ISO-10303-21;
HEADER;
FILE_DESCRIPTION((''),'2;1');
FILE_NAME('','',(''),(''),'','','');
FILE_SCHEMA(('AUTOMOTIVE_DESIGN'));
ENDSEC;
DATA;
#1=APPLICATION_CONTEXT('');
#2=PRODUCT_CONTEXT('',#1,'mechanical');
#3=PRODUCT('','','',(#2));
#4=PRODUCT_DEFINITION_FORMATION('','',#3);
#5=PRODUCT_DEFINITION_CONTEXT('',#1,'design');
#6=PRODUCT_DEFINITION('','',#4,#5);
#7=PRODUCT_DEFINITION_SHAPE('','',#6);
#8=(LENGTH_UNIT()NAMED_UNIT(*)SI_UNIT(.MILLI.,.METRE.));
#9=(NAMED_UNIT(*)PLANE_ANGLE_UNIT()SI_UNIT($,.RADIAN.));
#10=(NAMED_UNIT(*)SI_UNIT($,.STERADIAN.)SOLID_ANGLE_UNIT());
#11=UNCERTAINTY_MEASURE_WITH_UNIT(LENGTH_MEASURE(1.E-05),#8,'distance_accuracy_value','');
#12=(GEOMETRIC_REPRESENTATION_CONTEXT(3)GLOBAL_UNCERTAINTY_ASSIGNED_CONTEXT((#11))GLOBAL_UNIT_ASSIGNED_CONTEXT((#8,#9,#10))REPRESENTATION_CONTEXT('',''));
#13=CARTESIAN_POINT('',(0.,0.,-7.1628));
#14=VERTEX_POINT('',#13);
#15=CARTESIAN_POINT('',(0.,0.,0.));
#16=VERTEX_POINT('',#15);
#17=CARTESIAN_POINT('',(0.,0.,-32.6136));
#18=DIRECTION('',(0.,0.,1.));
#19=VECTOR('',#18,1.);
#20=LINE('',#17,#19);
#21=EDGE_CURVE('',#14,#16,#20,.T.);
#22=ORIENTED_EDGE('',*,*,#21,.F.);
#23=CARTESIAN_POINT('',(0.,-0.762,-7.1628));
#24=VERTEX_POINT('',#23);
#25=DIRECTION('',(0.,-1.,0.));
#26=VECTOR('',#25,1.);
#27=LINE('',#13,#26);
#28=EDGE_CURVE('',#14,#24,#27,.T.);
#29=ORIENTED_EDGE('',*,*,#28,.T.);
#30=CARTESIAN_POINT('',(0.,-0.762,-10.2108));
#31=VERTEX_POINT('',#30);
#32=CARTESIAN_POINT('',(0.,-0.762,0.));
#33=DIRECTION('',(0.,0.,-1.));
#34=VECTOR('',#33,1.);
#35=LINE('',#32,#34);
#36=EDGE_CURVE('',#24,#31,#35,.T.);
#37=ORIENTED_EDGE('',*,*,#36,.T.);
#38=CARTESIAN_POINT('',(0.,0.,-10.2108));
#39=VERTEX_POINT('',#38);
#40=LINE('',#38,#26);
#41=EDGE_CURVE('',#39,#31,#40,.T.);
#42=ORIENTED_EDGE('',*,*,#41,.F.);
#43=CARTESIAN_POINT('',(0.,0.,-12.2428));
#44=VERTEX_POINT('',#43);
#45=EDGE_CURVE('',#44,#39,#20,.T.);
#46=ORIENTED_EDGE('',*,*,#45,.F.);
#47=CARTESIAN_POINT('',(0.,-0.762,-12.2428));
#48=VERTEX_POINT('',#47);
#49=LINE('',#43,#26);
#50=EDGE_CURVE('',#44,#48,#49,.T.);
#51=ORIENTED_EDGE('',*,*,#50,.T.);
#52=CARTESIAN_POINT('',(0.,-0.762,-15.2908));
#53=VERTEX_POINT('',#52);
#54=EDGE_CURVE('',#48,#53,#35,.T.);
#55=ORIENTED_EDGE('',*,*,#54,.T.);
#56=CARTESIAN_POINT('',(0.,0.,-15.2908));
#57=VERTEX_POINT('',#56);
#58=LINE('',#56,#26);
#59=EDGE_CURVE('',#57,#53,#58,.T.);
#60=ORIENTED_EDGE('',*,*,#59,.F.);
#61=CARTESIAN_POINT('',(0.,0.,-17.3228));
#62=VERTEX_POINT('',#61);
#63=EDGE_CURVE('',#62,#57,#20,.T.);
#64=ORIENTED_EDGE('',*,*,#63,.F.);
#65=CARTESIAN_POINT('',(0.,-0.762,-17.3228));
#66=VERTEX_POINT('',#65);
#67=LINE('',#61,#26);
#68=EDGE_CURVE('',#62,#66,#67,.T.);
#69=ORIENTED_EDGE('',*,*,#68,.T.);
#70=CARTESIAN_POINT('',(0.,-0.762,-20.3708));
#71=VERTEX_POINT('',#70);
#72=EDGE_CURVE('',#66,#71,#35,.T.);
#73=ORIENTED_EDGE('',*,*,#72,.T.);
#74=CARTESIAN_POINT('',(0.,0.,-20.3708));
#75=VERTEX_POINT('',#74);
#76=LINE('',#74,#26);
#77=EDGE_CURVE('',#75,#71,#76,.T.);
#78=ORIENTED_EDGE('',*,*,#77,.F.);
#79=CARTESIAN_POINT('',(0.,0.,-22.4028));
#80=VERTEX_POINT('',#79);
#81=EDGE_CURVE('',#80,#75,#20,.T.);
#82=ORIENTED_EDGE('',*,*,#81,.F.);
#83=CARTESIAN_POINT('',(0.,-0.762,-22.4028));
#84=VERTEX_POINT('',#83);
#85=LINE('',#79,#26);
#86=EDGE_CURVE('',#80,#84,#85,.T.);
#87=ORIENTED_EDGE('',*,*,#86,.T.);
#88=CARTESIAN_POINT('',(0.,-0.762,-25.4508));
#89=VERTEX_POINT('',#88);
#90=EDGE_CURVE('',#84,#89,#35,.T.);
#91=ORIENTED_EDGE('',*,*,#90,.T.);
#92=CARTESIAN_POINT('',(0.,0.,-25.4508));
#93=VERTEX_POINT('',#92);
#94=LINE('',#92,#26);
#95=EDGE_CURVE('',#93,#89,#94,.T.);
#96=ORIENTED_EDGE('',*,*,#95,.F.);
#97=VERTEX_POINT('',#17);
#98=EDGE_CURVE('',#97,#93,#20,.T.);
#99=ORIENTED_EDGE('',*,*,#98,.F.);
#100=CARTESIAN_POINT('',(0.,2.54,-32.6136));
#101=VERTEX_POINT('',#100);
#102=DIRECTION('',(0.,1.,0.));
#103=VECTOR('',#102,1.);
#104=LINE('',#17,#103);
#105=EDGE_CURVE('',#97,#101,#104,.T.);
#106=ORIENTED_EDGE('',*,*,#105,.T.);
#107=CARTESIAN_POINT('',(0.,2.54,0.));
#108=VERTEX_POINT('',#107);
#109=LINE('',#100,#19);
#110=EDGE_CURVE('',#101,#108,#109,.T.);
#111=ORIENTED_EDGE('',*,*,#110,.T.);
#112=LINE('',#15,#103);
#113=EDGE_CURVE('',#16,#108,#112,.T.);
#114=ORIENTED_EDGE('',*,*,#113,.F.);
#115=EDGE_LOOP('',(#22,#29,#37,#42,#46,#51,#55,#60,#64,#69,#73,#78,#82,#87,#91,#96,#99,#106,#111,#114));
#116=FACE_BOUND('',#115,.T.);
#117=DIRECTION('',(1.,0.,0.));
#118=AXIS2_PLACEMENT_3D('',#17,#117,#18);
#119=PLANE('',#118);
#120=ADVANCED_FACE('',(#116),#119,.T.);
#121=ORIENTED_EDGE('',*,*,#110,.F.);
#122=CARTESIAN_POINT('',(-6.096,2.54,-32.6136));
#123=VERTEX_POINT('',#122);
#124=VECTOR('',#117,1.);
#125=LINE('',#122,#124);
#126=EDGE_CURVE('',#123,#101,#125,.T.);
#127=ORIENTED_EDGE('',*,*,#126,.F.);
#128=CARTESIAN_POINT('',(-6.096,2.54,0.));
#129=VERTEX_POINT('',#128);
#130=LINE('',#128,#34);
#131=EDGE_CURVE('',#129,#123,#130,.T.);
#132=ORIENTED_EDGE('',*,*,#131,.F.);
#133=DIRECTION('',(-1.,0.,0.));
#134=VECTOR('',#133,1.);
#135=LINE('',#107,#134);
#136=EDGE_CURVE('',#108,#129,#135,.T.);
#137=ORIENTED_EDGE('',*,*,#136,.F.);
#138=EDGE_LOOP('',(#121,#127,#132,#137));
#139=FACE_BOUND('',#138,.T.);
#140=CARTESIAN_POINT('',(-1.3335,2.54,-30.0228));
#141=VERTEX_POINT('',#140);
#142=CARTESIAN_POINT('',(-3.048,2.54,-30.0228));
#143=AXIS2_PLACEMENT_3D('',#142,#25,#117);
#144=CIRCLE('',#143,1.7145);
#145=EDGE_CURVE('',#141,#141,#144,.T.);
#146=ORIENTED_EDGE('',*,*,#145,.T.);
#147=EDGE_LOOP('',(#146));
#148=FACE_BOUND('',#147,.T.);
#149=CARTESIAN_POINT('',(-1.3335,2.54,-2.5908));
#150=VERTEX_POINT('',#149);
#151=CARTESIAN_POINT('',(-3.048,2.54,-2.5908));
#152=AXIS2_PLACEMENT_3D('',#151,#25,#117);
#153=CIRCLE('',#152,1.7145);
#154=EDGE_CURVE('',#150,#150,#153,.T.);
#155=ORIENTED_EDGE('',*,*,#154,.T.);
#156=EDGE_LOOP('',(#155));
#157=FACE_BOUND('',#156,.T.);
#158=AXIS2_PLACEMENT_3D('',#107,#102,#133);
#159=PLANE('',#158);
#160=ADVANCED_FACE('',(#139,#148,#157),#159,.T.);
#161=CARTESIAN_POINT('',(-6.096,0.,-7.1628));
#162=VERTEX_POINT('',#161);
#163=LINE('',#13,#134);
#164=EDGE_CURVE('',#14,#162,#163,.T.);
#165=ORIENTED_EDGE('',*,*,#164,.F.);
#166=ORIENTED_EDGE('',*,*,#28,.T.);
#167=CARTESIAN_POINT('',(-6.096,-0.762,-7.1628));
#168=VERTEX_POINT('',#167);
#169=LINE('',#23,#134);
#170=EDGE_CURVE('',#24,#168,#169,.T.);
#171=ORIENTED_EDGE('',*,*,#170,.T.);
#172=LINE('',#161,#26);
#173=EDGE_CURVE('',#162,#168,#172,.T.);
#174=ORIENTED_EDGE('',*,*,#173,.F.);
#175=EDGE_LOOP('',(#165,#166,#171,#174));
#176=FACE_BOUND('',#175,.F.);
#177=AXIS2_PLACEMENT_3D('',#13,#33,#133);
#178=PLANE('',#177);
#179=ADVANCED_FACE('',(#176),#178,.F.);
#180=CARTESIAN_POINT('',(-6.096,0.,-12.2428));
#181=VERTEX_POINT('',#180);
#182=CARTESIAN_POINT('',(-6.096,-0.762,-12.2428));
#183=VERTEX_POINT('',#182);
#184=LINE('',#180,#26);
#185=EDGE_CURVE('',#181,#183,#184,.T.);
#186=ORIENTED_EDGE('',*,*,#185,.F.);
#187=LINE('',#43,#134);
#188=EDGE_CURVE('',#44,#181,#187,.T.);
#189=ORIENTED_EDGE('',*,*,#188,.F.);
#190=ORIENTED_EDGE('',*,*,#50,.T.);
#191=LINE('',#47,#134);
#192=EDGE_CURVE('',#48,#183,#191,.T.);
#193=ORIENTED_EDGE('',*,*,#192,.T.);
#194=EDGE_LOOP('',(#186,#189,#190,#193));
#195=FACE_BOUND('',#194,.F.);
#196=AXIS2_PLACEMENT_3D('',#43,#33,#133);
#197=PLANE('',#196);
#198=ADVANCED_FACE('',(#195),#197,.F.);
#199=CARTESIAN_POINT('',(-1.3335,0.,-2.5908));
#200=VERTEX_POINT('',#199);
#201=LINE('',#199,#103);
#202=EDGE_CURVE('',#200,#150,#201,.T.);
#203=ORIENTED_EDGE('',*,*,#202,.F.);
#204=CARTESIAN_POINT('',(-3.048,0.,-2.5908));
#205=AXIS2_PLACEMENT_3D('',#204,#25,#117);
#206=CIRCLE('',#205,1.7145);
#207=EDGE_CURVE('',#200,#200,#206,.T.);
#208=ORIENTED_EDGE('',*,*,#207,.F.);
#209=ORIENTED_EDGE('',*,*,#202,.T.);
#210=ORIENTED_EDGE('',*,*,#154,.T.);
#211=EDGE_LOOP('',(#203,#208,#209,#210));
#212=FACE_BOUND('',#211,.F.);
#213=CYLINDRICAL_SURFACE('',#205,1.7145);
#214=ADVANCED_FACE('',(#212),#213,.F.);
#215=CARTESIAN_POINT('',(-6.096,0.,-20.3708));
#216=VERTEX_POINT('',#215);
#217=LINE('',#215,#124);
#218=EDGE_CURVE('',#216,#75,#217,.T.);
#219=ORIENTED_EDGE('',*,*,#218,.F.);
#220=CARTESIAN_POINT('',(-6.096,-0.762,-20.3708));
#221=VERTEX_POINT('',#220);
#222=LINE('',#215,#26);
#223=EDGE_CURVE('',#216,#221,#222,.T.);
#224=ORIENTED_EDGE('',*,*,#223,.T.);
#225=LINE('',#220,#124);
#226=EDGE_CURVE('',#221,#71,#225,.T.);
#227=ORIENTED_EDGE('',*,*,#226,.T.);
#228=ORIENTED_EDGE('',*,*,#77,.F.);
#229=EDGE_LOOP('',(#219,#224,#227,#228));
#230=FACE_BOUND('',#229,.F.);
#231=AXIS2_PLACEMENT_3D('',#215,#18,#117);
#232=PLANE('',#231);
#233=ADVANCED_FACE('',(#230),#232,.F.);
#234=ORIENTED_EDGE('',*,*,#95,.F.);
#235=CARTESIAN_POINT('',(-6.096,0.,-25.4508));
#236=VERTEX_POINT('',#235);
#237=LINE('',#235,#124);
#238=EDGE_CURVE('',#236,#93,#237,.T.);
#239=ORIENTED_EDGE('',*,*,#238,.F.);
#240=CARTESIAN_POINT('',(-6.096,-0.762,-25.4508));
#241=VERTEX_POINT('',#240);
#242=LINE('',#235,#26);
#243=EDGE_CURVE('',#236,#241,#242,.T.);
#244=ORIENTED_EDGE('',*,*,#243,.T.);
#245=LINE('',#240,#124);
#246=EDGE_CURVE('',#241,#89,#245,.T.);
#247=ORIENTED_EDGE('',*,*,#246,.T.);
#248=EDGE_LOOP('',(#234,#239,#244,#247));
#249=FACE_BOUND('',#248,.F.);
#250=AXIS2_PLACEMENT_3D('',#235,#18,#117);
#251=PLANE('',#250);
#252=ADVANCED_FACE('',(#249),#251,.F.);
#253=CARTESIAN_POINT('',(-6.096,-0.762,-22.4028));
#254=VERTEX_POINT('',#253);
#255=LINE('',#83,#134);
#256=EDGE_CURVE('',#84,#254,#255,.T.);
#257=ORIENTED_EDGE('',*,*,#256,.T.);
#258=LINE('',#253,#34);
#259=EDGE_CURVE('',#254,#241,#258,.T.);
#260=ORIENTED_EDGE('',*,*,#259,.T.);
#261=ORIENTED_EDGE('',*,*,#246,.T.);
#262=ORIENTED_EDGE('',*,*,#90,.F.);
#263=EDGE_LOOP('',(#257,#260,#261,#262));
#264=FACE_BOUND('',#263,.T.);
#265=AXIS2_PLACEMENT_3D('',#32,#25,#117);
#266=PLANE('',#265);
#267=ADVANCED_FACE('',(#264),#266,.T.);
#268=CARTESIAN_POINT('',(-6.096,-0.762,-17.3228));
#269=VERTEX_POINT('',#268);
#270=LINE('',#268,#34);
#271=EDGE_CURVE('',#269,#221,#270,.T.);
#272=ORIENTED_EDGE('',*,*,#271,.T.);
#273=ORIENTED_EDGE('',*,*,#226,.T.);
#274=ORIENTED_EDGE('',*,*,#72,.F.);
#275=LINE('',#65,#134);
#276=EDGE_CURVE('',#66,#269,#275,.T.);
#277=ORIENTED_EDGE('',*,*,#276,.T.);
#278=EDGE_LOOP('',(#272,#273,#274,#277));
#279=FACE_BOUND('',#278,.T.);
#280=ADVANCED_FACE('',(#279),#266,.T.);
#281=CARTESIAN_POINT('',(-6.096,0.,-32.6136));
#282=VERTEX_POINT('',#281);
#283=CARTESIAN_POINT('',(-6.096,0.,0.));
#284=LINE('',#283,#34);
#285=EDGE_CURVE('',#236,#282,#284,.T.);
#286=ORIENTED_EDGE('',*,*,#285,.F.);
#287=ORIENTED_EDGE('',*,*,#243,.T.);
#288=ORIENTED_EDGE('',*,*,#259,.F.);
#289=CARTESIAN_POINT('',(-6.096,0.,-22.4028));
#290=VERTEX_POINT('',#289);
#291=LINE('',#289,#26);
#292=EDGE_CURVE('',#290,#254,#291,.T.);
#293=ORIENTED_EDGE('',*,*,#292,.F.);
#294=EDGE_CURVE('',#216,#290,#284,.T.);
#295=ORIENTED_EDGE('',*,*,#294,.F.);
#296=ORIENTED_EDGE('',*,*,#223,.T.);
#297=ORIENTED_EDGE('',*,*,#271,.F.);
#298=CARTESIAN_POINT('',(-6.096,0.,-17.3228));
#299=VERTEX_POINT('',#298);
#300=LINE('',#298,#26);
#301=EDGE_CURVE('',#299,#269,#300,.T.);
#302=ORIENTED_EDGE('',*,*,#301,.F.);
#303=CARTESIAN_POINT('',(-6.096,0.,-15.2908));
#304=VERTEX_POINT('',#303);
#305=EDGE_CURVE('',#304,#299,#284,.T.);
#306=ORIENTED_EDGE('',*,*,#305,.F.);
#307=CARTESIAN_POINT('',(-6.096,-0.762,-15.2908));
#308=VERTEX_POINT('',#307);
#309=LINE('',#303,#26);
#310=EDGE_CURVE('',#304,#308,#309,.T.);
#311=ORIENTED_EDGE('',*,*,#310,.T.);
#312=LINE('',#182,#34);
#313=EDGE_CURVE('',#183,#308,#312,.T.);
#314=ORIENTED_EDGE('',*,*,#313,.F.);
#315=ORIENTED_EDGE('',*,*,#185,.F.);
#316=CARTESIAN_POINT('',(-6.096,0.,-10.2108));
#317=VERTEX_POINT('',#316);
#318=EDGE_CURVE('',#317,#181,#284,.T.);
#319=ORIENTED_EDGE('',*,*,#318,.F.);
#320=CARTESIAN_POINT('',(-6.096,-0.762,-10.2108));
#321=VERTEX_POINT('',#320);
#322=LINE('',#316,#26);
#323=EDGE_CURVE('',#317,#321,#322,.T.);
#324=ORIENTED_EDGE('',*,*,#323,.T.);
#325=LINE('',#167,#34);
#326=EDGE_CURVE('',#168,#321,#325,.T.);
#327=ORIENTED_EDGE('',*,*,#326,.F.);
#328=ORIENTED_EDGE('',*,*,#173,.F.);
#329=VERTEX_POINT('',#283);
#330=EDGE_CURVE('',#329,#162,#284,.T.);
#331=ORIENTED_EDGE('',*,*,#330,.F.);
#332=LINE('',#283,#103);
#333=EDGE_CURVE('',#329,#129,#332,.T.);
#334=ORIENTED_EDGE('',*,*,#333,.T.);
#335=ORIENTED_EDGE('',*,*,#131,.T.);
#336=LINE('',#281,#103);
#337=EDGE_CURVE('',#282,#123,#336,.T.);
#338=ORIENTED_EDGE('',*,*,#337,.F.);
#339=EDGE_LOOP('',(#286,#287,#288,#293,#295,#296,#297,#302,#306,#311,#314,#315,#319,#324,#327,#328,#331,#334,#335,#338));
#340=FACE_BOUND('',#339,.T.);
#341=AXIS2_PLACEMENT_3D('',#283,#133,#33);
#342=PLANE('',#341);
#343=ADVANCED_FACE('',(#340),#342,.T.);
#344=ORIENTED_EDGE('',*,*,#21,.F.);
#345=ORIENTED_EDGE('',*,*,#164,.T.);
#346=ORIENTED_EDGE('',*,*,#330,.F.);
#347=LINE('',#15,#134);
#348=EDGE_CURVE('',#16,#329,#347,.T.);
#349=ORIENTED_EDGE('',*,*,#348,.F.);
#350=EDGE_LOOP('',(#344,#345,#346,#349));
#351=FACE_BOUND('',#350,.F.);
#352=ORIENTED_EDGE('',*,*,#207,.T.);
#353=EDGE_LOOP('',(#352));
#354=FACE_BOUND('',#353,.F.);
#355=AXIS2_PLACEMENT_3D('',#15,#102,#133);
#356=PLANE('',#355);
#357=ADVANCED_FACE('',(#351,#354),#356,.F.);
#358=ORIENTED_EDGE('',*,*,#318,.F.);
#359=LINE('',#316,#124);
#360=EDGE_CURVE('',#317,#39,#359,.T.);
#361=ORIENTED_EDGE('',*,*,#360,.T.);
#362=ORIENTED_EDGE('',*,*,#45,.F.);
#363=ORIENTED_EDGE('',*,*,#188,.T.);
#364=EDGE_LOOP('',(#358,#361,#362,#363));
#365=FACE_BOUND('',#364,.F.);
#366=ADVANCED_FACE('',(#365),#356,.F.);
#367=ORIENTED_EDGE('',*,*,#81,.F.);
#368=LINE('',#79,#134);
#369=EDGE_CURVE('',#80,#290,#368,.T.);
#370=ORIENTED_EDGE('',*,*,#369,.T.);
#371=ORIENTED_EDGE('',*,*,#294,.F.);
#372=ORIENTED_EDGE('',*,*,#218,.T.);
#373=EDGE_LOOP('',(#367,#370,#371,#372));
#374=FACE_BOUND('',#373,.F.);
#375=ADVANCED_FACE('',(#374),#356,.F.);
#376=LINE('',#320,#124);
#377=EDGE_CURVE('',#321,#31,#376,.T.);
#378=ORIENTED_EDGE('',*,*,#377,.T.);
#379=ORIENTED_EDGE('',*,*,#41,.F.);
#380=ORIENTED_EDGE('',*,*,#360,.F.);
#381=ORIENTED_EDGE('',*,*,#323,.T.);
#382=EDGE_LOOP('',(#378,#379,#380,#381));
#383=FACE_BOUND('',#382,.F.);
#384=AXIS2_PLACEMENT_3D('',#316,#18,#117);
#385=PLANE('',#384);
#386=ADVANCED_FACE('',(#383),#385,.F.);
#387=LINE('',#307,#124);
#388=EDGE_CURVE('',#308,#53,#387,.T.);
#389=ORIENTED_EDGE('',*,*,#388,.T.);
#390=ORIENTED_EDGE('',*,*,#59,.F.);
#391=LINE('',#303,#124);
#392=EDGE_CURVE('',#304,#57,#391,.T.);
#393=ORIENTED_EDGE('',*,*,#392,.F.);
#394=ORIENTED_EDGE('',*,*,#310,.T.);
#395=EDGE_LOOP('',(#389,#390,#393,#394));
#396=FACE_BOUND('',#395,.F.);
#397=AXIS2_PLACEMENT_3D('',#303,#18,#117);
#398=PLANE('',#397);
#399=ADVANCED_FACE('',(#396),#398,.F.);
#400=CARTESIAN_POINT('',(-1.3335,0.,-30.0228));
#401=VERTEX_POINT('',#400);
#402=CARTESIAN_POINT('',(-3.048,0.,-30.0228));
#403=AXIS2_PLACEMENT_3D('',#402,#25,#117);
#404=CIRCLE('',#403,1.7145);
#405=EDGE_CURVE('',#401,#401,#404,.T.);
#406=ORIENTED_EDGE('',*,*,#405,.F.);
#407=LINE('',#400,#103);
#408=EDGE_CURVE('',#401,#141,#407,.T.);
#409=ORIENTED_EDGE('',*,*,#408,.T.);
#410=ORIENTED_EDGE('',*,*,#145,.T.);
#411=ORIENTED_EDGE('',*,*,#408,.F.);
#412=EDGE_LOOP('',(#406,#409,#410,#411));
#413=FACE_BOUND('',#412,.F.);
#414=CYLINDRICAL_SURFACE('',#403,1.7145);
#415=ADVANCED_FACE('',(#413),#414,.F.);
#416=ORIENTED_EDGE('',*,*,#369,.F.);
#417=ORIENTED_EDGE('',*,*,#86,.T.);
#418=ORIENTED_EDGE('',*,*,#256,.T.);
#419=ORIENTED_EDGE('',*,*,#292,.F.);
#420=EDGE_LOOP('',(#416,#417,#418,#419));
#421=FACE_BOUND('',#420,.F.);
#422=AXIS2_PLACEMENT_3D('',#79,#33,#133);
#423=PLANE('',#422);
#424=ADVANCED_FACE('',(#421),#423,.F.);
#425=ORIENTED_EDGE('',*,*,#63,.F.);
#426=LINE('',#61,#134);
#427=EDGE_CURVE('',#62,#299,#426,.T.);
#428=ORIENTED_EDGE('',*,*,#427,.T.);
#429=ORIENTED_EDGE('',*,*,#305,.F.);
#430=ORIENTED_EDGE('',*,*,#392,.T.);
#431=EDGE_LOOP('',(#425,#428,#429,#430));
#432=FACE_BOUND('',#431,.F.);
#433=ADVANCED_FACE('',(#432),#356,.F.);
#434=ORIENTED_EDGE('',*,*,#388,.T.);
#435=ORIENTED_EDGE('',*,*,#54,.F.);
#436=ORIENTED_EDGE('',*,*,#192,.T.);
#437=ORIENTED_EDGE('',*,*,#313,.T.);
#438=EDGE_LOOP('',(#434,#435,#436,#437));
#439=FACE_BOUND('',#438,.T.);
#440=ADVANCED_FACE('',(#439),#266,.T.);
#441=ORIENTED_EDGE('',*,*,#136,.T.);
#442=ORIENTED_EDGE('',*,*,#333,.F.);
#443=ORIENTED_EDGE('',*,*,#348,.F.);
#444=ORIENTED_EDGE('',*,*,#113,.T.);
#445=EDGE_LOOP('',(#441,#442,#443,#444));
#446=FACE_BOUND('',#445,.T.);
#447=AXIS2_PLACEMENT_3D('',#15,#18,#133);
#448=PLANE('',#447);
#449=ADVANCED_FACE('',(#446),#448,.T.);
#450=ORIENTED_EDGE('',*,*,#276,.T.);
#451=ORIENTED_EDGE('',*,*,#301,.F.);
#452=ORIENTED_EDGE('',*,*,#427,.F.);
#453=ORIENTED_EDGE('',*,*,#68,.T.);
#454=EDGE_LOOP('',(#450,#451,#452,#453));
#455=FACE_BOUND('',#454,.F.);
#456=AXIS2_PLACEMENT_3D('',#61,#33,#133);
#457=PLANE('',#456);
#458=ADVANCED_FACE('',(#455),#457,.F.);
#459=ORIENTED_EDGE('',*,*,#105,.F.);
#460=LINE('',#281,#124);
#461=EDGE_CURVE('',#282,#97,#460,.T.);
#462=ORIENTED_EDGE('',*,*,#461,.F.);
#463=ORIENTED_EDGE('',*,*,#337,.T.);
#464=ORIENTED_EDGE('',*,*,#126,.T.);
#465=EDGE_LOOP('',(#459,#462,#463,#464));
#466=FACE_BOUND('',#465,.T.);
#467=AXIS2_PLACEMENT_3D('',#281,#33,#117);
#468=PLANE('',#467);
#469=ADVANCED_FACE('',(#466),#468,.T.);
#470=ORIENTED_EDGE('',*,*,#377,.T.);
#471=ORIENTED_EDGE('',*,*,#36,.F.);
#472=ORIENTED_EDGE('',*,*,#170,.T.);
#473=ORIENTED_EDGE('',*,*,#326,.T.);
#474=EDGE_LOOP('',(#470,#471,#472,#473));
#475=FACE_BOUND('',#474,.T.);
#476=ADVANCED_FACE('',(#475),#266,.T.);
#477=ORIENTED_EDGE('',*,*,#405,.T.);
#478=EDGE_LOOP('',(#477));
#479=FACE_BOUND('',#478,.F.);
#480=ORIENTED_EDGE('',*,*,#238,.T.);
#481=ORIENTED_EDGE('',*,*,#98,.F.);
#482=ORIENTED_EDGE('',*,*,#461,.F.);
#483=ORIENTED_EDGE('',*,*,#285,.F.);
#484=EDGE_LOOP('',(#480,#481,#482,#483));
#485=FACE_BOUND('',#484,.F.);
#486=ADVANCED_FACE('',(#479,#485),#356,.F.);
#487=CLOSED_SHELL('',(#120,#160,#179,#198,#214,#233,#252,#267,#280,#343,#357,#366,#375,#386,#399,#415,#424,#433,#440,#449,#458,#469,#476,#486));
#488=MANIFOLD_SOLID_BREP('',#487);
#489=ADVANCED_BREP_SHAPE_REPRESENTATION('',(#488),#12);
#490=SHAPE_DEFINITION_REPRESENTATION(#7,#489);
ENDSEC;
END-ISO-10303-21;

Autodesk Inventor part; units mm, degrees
ref_plane "YZ Plane" through (0, 0, 0) normal (1, 0, 0) x (0, 1, 0)
ref_plane "XZ Plane" through (0, 0, 0) normal (0, 1, 0) x (-1, 0, 0)
ref_plane "XY Plane" through (0, 0, 0) normal (0, 0, 1) x (1, 0, 0)
sketch "Sketch1" plane through (0, 0, 0) normal (0, 1, 0) x (-1, 0, 0)
  line L0 (0, 0) -> (6.096, 0)
  line L1 (6.096, 0) -> (6.096, -32.6136)
  line L2 (6.096, -32.6136) -> (0, -32.6136)
  line L3 (0, -32.6136) -> (0, 0)
  dimension "d0" = 6.096
  dimension "d1" = 32.6136
extrude "Extrusion1" add sketch "Sketch1" along normal blind 2.54
sketch "Sketch2" plane through (0, 0, 0) normal (0, -1, 0) x (1, 0, 0)
  line L0 (0, 0) -> (0, -32.6136) projected
  line L1 (0, -7.1628) -> (-6.096, -7.1628)
  line L2 (-6.096, -7.1628) -> (-6.096, -10.2108)
  line L3 (-6.096, -10.2108) -> (0, -10.2108)
  line L4 (0, -10.2108) -> (0, -7.1628)
  line L5 (0, -12.2428) -> (-6.096, -12.2428)
  line L6 (-6.096, -12.2428) -> (-6.096, -15.2908)
  line L7 (-6.096, -15.2908) -> (0, -15.2908)
  line L8 (0, -15.2908) -> (0, -12.2428)
  line L9 (0, -17.3228) -> (-6.096, -17.3228)
  line L10 (-6.096, -17.3228) -> (-6.096, -20.3708)
  line L11 (-6.096, -20.3708) -> (0, -20.3708)
  line L12 (0, -20.3708) -> (0, -17.3228)
  line L13 (0, -22.4028) -> (-6.096, -22.4028)
  line L14 (-6.096, -22.4028) -> (-6.096, -25.4508)
  line L15 (-6.096, -25.4508) -> (0, -25.4508)
  line L16 (0, -25.4508) -> (0, -22.4028)
  line L17 (-3.048, -10.2108) -> (-3.048, -12.2428) construction
  line L18 (-3.048, -15.2908) -> (-3.048, -17.3228) construction
  line L19 (-3.048, -20.3708) -> (-3.048, -22.4028) construction
  line L20 (-6.096, 0) -> (-6.096, -32.6136) construction
  line L21 (-6.096, 0) -> (0, 0) construction
  line L22 (0, -7.1628) -> (0, 0) construction
  line L23 (0, -32.6136) -> (0, -25.4508) construction
  dimension "d4" = 3.048
  dimension "d13" = 2.032
extrude "Extrusion2" add sketch "Sketch2" along normal blind 0.762
sketch "Sketch3" plane through (0, 0, 0) normal (0, -1, 0) x (1, 0, 0)
  line L0 (0, -7.1628) -> (-6.096, -7.1628) construction
  line L1 (-6.096, -7.1628) -> (-6.096, -10.2108) construction
  line L2 (-6.096, -10.2108) -> (0, -10.2108) construction
  line L3 (0, -10.2108) -> (0, -7.1628) construction
  line L4 (0, -22.4028) -> (-6.096, -22.4028) construction
  line L5 (-6.096, -22.4028) -> (-6.096, -25.4508) construction
  line L6 (-6.096, -25.4508) -> (0, -25.4508) construction
  line L7 (0, -25.4508) -> (0, -22.4028) construction
  circle A0 centre (-3.048, -2.5908) radius 1.7145
  circle A1 centre (-3.048, -30.0228) radius 1.7145
  line L8 (0, -7.1628) -> (-6.096, -7.1628) projected
  line L9 (-6.096, -25.4508) -> (0, -25.4508) projected
  point P0 (0, 0)
  point P1 (-3.048, -7.1628)
  point P2 (-3.048, -25.4508)
  dimension "d7" = 4.572
  dimension "d8" = 4.572
  dimension "d9" = 3.429
  dimension "d10" = 3.429
extrude "Extrusion3" cut sketch "Sketch3" against normal through all
equation "\"d8\" = d7"
equation "\"d10\" = d9"
properties part number "ContactPress" material "ABS Plastic"
